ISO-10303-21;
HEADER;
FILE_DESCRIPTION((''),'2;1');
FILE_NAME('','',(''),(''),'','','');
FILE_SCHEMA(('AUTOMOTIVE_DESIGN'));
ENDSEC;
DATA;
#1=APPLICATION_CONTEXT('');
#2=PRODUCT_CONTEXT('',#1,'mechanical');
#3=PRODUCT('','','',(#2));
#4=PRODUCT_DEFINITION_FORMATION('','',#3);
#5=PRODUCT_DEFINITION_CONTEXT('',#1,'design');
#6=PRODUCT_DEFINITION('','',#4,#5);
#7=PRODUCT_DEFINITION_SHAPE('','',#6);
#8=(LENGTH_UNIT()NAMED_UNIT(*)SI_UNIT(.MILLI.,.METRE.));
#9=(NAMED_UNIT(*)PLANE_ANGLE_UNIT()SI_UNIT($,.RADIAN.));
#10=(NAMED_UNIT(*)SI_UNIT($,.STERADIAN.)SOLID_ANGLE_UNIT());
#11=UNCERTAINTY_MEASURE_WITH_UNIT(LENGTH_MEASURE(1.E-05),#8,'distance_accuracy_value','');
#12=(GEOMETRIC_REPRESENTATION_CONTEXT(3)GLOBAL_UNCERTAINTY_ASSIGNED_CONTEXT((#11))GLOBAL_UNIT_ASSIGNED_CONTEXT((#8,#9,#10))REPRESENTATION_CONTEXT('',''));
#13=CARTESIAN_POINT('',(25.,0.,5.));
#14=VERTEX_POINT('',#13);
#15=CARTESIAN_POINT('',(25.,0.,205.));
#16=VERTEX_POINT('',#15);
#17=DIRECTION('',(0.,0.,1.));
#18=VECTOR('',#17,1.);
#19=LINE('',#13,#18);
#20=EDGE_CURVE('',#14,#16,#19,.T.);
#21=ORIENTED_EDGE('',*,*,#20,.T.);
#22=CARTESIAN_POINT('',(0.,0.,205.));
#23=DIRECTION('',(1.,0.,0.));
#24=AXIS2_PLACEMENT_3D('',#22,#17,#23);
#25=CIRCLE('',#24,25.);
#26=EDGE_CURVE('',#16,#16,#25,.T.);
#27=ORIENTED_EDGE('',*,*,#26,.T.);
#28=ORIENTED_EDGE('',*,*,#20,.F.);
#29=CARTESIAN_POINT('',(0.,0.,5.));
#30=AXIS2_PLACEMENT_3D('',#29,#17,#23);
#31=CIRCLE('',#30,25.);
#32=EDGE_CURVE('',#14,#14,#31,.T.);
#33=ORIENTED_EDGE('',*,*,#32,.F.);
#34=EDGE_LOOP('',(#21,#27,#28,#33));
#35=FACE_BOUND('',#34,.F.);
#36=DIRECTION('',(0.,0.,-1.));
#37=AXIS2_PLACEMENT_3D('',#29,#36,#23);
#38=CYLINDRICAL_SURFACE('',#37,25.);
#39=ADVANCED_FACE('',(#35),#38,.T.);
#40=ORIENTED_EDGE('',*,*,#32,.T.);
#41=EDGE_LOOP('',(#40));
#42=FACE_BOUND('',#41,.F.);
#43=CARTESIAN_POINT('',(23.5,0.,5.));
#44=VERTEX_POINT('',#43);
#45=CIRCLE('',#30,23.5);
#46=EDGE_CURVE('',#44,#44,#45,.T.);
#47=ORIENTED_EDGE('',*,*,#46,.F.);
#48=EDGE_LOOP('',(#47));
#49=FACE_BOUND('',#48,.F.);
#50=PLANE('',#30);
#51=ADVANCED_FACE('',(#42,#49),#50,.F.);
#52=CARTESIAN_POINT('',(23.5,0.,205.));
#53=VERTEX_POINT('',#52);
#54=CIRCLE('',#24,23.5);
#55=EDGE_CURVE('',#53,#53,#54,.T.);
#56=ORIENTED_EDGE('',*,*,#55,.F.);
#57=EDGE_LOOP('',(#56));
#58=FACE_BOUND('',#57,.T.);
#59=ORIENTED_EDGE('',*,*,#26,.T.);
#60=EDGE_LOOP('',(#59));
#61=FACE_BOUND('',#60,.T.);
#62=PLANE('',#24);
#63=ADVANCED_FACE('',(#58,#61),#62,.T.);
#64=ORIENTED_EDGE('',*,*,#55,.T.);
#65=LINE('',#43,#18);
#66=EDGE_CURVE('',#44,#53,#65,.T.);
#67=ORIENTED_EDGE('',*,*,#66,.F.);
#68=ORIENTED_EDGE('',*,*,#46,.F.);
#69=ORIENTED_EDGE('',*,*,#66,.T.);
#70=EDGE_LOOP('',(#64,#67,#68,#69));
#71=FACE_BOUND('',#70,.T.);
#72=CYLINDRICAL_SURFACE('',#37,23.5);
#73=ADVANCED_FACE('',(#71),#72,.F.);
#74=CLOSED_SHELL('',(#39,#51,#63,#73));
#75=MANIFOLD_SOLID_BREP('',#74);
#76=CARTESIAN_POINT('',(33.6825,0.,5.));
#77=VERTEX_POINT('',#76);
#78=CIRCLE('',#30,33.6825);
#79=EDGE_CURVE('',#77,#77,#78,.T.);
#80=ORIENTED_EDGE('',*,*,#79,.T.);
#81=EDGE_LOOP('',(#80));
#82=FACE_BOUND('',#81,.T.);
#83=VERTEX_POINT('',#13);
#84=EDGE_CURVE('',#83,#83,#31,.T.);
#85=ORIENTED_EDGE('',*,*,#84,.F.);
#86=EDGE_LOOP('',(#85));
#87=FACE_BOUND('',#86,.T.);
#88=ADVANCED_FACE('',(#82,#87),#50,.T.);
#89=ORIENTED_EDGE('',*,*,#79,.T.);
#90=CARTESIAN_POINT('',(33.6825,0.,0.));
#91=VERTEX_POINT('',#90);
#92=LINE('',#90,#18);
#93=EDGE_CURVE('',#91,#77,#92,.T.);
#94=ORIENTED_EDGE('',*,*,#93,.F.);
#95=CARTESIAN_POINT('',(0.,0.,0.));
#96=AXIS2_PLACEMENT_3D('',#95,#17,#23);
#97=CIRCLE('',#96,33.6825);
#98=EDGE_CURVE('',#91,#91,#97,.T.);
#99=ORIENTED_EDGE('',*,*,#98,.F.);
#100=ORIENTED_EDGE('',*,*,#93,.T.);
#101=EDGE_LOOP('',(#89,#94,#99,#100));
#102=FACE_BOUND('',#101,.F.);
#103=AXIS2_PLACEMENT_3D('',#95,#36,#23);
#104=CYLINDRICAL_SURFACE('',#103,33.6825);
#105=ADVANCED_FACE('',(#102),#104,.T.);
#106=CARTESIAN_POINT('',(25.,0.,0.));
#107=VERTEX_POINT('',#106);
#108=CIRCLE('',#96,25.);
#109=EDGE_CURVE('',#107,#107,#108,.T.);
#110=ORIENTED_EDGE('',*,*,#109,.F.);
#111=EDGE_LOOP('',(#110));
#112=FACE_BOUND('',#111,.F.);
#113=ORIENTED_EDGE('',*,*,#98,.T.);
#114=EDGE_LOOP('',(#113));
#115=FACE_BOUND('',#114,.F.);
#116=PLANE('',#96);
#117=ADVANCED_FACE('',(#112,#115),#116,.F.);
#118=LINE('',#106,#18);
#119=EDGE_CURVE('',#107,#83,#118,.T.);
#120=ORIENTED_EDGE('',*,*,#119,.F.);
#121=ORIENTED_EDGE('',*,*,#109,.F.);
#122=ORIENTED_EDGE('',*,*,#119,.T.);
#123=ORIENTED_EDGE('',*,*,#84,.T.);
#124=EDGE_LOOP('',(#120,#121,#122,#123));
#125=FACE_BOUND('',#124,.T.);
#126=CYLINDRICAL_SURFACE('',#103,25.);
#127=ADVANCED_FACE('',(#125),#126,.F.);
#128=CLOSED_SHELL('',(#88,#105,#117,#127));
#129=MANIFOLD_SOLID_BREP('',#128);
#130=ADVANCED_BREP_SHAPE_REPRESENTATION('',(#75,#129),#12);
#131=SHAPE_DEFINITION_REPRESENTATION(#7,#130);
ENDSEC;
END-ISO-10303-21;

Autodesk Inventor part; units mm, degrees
ref_plane "YZ Plane" through (0, 0, 0) normal (1, 0, 0) x (0, 1, 0)
ref_plane "XZ Plane" through (0, 0, 0) normal (0, 1, 0) x (-1, 0, 0)
ref_plane "XY Plane" through (0, 0, 0) normal (0, 0, 1) x (1, 0, 0)
sketch "Sketch1" plane through (0, 0, 0) normal (0, 0, 1) x (1, 0, 0)
  circle A0 centre (0, 0) radius 33.6825
  circle A1 centre (0, 0) radius 25
  dimension "d0" = 67.365
  dimension "d1" = 50
extrude "Extrusion1" add sketch "Sketch1" along normal blind 5
sketch "Sketch2" plane through (0, 0, 5) normal (0, 0, 1) x (1, 0, 0)
  circle A0 centre (0, 0) radius 25
  circle A1 centre (0, 0) radius 23.5
  dimension "d4" = 47
extrude "Extrusion2" add sketch "Sketch2" along normal blind 200
properties part number "UR5 End to wrist" material "Aluminum 6061-AHC"
